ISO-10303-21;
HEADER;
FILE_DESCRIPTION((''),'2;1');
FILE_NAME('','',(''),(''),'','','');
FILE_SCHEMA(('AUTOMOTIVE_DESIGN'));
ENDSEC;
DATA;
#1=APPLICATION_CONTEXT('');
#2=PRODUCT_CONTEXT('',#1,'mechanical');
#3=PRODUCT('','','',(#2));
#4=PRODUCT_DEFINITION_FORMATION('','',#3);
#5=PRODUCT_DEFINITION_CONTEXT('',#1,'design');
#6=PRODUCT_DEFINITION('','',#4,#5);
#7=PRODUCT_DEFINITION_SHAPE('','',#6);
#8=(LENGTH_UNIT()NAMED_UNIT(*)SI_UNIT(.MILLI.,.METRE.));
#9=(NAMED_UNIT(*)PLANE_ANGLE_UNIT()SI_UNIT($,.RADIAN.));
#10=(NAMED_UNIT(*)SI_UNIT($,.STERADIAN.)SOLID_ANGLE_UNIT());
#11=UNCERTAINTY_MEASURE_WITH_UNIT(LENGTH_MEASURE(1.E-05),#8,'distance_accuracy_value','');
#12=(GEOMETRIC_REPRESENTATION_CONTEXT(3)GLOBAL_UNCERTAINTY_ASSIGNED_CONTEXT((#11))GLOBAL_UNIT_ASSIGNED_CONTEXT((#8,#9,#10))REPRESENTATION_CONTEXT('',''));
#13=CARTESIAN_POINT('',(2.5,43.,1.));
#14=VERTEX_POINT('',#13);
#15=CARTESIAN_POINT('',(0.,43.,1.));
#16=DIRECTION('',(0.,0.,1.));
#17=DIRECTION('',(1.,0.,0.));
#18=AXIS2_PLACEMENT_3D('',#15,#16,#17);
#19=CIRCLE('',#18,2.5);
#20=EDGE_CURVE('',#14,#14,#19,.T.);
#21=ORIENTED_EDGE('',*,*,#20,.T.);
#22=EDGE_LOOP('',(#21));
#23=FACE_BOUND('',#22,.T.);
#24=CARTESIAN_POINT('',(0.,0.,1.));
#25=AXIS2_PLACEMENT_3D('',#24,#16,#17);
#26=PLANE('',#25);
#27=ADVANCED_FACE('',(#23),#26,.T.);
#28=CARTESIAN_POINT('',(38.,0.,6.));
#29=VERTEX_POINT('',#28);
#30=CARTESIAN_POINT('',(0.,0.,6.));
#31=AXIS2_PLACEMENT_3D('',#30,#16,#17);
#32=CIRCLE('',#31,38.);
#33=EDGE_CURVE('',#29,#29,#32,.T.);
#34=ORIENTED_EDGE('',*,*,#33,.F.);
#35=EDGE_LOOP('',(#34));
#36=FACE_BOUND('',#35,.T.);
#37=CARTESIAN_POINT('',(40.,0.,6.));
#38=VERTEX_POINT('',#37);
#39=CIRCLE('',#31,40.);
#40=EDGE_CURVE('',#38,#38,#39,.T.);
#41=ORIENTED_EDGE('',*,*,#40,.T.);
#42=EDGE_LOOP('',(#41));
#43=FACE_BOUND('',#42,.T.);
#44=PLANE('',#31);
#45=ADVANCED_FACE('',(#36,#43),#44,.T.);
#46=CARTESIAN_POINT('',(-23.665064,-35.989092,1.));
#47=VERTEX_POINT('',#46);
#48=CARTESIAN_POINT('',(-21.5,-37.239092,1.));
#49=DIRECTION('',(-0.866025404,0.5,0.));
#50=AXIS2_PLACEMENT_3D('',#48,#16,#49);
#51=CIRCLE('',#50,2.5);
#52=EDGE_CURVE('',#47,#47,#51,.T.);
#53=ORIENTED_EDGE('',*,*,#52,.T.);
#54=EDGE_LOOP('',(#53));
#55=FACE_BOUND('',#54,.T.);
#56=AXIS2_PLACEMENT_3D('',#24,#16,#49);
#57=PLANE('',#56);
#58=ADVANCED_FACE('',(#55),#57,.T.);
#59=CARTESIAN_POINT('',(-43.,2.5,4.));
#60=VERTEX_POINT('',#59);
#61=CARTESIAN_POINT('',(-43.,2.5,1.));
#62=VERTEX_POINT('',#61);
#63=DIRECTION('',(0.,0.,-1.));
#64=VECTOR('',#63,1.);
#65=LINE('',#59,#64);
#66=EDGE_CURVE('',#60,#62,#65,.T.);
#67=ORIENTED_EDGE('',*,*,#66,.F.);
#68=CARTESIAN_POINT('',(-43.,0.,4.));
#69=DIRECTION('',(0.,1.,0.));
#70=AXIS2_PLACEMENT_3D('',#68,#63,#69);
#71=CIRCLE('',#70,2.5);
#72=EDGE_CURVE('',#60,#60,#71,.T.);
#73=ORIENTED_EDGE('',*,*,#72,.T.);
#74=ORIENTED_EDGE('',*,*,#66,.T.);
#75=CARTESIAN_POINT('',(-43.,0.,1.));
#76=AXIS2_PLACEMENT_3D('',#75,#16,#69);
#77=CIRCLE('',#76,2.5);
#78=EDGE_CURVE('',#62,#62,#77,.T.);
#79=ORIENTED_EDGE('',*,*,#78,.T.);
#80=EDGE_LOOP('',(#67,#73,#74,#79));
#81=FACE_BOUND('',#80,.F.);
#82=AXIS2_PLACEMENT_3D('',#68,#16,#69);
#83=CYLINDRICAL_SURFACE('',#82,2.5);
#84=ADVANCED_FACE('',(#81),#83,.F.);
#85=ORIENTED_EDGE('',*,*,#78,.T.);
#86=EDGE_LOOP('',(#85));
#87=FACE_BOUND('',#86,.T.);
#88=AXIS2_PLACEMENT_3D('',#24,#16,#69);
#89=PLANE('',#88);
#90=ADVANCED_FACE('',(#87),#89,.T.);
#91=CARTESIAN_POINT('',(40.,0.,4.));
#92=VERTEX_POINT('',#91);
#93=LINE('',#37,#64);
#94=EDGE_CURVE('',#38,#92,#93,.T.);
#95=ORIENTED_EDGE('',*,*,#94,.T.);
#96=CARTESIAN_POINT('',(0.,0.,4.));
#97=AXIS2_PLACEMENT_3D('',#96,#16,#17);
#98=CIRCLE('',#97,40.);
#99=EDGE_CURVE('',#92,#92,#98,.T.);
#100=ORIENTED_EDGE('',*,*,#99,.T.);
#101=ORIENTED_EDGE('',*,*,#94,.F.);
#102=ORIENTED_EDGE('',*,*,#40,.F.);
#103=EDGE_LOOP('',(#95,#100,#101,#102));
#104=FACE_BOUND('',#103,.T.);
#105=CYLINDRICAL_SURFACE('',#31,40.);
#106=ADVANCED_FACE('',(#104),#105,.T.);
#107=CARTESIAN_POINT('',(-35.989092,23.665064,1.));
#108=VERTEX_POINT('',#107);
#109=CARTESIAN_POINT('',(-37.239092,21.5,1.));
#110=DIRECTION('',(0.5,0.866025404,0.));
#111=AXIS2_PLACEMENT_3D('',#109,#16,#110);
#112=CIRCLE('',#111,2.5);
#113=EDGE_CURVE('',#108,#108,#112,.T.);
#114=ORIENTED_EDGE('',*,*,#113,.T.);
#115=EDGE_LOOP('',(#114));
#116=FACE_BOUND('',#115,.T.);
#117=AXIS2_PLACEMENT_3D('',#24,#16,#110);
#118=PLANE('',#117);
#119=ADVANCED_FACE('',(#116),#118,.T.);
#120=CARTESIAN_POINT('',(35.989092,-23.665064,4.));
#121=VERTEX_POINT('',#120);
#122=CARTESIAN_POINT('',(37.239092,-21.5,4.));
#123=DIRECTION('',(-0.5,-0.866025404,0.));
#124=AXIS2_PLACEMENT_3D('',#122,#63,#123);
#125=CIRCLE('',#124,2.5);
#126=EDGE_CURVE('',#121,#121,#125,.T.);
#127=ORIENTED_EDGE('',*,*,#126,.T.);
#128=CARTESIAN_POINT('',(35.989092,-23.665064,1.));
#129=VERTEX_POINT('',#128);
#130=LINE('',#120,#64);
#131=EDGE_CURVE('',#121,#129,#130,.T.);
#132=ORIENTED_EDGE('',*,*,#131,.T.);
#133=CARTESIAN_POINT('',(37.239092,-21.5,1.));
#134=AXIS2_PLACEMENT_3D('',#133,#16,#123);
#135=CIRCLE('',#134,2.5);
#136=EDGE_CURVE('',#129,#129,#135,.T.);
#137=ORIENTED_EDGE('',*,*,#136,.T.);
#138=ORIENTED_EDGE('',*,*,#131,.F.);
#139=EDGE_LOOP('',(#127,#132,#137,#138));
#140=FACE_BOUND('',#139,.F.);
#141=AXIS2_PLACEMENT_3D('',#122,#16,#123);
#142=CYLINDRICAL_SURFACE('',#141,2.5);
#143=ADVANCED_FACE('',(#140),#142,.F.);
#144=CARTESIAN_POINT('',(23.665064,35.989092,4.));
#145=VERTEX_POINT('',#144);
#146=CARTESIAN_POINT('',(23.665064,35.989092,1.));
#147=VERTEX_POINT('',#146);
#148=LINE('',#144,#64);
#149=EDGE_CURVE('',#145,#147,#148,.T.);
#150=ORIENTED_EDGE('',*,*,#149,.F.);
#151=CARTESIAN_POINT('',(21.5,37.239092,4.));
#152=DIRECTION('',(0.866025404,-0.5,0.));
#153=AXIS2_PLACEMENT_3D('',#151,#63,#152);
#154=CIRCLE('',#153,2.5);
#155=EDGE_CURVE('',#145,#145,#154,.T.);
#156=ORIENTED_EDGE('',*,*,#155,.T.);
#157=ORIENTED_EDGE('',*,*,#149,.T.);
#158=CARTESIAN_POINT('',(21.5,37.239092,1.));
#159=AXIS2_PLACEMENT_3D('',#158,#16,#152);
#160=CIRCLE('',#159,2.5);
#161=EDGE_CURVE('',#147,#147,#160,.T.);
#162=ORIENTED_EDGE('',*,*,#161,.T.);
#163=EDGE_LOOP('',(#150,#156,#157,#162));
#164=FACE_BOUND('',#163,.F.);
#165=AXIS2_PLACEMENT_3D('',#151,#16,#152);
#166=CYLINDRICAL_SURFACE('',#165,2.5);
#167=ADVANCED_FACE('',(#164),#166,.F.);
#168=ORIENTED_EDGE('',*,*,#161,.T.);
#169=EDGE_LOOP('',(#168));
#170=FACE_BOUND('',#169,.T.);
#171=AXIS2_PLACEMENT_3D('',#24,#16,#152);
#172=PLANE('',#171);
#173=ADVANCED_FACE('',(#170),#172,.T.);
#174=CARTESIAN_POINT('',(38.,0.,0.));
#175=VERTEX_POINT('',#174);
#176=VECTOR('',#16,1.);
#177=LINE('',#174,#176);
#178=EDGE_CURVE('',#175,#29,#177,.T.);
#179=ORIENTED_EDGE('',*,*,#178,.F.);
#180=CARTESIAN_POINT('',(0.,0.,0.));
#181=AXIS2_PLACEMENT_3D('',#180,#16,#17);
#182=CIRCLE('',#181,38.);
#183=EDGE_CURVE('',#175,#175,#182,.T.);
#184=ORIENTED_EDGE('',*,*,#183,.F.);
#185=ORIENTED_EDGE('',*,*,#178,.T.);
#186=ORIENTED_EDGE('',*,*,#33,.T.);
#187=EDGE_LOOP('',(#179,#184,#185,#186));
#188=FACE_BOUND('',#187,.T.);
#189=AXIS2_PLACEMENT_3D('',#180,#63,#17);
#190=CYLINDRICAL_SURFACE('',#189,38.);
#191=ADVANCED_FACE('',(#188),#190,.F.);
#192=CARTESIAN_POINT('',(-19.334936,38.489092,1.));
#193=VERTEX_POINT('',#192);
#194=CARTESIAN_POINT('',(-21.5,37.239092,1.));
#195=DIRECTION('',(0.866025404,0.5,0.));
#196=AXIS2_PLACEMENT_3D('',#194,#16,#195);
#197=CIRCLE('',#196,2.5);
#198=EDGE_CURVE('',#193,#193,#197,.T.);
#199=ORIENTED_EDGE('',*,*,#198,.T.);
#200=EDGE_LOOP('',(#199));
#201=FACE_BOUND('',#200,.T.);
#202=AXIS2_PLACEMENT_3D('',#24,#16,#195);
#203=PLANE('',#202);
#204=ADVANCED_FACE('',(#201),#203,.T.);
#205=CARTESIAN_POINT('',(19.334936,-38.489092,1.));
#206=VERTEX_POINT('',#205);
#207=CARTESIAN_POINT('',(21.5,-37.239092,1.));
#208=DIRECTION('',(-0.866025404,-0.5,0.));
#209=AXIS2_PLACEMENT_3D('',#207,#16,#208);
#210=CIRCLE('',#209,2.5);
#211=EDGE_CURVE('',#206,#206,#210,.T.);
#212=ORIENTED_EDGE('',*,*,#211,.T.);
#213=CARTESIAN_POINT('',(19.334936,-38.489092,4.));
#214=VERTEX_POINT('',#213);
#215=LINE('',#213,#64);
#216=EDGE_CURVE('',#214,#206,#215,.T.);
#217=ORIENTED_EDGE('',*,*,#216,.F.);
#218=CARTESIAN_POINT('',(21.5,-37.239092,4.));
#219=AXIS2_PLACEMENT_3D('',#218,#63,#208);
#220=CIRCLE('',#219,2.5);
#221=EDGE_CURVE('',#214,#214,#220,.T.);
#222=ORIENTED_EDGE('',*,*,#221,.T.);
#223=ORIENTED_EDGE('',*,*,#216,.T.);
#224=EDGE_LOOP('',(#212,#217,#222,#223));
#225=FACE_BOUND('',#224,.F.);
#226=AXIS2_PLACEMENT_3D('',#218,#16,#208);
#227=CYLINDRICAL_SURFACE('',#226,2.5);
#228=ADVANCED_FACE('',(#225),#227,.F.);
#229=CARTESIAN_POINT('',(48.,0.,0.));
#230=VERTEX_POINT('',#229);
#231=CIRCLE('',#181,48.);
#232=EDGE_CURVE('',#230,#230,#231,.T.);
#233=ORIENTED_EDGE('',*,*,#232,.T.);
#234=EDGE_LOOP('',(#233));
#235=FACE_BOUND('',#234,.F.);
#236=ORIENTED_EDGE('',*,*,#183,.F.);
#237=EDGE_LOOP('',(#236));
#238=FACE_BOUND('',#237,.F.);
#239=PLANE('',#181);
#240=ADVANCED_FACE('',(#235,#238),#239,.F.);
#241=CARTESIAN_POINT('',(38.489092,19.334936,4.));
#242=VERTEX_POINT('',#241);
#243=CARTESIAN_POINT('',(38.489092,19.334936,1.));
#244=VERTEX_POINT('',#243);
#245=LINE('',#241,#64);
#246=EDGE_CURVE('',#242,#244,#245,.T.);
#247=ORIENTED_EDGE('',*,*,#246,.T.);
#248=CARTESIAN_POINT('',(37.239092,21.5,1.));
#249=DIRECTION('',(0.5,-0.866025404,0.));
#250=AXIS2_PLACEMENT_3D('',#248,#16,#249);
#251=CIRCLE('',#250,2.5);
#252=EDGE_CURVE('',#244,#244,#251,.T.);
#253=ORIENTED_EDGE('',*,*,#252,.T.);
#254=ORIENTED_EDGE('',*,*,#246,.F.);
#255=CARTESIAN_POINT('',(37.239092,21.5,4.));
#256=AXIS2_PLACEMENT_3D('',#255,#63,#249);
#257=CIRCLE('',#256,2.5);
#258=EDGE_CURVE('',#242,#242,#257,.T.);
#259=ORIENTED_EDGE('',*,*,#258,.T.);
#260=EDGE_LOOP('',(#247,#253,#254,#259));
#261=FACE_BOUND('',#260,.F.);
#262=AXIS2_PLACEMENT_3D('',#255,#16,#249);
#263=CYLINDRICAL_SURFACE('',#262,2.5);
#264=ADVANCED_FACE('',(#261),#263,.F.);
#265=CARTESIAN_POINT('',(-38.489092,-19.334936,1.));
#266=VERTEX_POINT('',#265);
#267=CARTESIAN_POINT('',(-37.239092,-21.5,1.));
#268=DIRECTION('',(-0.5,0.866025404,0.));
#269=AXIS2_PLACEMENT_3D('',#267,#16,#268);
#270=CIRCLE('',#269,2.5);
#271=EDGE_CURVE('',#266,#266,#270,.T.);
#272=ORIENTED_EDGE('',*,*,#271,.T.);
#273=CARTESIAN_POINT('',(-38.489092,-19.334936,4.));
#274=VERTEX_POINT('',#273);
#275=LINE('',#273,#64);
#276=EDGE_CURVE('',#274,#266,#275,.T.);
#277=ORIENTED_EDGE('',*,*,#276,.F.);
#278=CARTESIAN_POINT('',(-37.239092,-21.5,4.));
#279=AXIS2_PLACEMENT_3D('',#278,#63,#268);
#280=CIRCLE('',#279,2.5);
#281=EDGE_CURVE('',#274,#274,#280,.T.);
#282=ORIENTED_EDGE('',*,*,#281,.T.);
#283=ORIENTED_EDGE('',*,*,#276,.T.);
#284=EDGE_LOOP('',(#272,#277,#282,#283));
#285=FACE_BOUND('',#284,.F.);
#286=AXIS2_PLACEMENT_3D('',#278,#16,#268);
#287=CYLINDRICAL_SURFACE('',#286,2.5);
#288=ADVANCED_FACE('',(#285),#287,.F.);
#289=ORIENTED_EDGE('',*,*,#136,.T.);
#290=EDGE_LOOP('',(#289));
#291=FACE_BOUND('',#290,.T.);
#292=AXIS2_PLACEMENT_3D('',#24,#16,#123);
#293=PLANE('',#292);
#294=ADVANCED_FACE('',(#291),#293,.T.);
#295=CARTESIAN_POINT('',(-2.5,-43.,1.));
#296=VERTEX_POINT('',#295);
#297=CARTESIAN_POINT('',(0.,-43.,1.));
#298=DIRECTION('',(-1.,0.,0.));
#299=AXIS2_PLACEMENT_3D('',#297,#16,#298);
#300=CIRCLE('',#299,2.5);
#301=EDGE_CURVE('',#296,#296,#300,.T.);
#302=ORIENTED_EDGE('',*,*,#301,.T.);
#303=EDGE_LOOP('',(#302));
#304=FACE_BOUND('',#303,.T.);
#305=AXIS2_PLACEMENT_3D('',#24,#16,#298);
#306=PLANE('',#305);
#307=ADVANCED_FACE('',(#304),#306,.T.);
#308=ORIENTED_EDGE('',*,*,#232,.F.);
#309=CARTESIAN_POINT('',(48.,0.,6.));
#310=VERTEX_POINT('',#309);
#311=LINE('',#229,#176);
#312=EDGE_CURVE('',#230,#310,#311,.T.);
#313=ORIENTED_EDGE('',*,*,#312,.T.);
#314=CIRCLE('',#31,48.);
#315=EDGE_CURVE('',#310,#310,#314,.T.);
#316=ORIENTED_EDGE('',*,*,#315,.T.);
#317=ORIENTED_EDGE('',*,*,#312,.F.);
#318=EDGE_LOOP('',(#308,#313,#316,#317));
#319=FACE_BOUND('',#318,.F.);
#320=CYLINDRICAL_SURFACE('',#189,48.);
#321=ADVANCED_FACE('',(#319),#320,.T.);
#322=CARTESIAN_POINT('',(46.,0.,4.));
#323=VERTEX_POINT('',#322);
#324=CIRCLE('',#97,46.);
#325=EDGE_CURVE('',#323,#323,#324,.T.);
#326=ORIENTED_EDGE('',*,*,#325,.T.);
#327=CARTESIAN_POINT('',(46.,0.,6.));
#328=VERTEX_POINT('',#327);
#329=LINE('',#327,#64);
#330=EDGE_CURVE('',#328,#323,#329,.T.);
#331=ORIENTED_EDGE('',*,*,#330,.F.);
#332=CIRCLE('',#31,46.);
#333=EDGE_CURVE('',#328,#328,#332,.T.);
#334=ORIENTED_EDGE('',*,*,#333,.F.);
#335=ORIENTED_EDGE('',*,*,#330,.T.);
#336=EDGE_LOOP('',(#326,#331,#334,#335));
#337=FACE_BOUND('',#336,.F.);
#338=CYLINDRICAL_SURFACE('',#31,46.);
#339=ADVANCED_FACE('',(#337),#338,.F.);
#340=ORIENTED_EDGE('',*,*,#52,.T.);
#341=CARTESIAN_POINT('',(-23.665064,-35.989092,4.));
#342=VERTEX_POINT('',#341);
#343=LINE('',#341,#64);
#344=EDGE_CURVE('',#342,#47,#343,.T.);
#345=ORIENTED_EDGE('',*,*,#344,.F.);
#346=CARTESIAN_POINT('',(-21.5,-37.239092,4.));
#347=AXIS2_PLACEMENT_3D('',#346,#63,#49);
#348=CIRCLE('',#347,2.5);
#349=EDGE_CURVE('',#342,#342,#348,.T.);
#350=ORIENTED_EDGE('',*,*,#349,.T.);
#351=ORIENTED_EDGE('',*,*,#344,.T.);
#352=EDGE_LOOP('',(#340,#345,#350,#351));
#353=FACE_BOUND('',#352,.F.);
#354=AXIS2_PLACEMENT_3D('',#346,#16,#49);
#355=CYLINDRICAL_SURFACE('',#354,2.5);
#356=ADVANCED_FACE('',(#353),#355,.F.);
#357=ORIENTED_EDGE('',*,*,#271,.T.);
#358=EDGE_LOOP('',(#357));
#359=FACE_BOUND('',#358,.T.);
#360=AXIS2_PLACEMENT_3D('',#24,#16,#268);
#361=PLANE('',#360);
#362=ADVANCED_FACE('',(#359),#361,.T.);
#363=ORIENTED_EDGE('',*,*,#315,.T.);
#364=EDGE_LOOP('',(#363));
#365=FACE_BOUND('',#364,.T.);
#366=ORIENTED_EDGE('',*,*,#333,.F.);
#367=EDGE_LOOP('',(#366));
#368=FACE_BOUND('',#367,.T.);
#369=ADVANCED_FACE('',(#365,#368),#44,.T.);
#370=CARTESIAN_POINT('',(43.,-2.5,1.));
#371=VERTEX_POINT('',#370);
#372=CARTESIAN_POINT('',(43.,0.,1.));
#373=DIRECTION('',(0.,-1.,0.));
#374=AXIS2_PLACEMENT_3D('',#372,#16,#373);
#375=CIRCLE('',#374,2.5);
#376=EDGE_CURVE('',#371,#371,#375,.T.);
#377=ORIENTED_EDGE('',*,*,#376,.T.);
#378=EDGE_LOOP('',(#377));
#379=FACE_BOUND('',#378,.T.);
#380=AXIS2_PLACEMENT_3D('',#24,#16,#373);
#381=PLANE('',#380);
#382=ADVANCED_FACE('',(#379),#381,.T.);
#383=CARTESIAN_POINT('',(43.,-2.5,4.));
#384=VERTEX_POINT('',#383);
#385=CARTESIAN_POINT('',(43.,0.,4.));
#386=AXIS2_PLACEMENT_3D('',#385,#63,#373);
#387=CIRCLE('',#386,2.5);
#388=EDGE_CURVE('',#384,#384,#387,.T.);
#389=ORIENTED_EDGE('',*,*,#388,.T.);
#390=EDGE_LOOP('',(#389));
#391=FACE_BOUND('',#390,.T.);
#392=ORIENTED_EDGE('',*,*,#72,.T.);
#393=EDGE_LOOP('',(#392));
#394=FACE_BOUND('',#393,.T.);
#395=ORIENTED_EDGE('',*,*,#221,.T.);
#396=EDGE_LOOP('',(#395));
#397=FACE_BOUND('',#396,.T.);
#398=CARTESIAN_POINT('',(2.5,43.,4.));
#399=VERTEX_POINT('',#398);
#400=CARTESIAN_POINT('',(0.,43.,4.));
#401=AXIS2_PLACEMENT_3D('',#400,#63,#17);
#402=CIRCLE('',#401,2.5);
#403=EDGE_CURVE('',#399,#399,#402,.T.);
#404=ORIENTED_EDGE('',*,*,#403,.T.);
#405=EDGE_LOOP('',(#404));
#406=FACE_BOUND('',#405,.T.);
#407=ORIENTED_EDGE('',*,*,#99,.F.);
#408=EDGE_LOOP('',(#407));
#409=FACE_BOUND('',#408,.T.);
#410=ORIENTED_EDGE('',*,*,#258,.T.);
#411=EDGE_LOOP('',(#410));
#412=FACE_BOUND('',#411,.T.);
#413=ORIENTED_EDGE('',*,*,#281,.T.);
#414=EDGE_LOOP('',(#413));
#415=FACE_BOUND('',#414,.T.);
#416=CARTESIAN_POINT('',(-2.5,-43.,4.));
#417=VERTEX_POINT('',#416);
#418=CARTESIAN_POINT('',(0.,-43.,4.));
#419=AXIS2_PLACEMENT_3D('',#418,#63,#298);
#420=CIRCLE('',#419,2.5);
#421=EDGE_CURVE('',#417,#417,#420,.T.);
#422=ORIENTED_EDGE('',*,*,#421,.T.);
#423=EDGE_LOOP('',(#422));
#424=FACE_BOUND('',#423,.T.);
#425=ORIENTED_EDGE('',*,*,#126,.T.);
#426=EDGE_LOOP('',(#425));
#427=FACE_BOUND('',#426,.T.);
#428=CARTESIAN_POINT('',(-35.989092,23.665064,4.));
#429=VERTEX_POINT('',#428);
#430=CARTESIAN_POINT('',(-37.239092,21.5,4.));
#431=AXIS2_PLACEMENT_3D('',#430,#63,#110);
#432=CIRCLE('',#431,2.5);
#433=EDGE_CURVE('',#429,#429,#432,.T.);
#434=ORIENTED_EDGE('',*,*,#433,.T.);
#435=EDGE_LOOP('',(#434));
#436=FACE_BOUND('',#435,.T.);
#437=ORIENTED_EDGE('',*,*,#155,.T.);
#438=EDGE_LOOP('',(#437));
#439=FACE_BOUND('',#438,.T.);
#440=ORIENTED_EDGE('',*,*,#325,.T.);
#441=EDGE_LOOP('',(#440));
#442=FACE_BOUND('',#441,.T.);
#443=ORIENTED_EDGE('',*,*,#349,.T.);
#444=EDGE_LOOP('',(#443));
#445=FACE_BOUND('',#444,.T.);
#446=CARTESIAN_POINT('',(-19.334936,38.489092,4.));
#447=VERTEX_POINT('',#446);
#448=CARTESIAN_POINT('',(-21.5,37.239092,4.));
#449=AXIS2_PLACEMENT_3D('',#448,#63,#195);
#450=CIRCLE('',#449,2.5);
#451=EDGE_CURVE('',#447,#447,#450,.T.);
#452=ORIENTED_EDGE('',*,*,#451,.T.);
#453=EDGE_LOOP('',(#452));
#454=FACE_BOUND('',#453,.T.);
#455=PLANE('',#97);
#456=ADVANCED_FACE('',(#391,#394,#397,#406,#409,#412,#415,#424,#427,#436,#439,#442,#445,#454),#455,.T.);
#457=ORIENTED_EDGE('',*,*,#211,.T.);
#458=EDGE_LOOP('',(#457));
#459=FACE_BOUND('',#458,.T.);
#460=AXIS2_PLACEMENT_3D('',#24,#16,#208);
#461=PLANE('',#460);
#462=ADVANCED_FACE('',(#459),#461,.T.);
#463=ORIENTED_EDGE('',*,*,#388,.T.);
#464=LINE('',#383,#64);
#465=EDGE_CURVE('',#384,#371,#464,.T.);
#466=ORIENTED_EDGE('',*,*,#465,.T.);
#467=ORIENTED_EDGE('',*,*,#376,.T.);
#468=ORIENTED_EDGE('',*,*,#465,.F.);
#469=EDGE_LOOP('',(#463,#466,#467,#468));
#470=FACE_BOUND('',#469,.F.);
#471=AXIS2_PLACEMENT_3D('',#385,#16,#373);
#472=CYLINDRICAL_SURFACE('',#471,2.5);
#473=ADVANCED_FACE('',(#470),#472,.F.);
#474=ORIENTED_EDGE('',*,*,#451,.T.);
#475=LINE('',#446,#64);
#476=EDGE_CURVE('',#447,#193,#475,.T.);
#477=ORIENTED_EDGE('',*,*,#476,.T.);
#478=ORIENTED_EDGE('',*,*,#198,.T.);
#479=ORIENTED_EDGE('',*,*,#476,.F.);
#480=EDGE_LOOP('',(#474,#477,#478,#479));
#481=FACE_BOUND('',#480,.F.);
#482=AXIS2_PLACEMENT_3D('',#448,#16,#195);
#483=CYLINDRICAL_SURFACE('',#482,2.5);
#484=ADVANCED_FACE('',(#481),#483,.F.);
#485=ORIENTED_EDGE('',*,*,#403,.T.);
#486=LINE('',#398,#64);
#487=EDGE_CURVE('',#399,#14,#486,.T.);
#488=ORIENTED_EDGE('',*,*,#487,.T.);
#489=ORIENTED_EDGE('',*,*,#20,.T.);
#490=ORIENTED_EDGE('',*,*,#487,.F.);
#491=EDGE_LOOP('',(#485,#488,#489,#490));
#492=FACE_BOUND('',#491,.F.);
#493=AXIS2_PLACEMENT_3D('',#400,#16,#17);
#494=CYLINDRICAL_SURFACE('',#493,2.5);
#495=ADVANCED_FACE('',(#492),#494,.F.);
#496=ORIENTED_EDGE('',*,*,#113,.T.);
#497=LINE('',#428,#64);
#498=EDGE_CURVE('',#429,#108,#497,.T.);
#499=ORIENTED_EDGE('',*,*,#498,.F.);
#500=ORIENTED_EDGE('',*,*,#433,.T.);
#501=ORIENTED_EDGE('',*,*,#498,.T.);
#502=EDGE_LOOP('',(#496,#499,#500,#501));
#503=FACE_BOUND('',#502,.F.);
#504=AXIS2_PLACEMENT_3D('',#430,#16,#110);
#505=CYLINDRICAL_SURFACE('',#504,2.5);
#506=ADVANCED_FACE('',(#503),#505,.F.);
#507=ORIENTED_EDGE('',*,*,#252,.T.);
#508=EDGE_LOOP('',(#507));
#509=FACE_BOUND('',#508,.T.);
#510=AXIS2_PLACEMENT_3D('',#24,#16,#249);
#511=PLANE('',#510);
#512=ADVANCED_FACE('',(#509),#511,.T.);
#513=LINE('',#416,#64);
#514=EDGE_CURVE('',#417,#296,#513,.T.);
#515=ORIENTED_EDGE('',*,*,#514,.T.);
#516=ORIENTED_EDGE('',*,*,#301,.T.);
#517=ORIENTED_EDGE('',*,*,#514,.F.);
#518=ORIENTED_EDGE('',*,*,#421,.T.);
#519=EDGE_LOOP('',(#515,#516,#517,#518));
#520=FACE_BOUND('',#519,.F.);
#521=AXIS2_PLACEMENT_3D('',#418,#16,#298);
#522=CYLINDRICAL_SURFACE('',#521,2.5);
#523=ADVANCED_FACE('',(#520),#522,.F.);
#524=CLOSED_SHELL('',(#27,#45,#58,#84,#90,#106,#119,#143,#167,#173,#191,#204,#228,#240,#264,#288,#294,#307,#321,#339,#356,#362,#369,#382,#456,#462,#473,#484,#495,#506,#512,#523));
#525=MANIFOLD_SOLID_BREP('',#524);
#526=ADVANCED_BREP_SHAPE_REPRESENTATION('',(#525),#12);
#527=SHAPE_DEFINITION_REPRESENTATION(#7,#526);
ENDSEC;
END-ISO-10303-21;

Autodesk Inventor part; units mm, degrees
ref_plane "YZ Plane" through (0, 0, 0) normal (1, 0, 0) x (0, 1, 0)
ref_plane "XZ Plane" through (0, 0, 0) normal (0, 1, 0) x (-1, 0, 0)
ref_plane "XY Plane" through (0, 0, 0) normal (0, 0, 1) x (1, 0, 0)
sketch "Skizze1" plane through (0, 0, 0) normal (0, 0, 1) x (1, 0, 0)
  circle A0 centre (0, 0) radius 38
  circle A1 centre (0, 0) radius 48
  dimension "d0" = 76
  dimension "d1" = 10
extrude "Extrusion1" add sketch "Skizze1" along normal blind 6
sketch "Skizze3" plane through (0, 0, 6) normal (0, 0, 1) x (1, 0, 0)
  circle A0 centre (0, 0) radius 40
  circle A1 centre (0, 0) radius 46
  circle A2 centre (0, 0) radius 38 projected
  circle A3 centre (0, 0) radius 48 projected
  dimension "d8" = 2
  dimension "d9" = 2
extrude "Extrusion3" cut sketch "Skizze3" against normal blind 2 contours A1
sketch "Skizze5" plane through (0, 0, 4) normal (0, 0, 1) x (1, 0, 0)
  circle A0 centre (0, 0) radius 46 projected
  line L0 (0, 46) -> (0, 40)
  circle A1 centre (0, 0) radius 40 projected
  circle A2 centre (0, 43) radius 2.5
  dimension "d12" = 5
extrude "Extrusion4" cut sketch "Skizze5" against normal blind 3 contours A2 L0 | L0 A2
pattern_circular "Runde Anordnung1" count 12 over 360 about axis through (0, 0, -10) along (0, 0, 1) of "Extrusion4"
properties part number "P_magnetCase" material "ABS-Kunststoff"
